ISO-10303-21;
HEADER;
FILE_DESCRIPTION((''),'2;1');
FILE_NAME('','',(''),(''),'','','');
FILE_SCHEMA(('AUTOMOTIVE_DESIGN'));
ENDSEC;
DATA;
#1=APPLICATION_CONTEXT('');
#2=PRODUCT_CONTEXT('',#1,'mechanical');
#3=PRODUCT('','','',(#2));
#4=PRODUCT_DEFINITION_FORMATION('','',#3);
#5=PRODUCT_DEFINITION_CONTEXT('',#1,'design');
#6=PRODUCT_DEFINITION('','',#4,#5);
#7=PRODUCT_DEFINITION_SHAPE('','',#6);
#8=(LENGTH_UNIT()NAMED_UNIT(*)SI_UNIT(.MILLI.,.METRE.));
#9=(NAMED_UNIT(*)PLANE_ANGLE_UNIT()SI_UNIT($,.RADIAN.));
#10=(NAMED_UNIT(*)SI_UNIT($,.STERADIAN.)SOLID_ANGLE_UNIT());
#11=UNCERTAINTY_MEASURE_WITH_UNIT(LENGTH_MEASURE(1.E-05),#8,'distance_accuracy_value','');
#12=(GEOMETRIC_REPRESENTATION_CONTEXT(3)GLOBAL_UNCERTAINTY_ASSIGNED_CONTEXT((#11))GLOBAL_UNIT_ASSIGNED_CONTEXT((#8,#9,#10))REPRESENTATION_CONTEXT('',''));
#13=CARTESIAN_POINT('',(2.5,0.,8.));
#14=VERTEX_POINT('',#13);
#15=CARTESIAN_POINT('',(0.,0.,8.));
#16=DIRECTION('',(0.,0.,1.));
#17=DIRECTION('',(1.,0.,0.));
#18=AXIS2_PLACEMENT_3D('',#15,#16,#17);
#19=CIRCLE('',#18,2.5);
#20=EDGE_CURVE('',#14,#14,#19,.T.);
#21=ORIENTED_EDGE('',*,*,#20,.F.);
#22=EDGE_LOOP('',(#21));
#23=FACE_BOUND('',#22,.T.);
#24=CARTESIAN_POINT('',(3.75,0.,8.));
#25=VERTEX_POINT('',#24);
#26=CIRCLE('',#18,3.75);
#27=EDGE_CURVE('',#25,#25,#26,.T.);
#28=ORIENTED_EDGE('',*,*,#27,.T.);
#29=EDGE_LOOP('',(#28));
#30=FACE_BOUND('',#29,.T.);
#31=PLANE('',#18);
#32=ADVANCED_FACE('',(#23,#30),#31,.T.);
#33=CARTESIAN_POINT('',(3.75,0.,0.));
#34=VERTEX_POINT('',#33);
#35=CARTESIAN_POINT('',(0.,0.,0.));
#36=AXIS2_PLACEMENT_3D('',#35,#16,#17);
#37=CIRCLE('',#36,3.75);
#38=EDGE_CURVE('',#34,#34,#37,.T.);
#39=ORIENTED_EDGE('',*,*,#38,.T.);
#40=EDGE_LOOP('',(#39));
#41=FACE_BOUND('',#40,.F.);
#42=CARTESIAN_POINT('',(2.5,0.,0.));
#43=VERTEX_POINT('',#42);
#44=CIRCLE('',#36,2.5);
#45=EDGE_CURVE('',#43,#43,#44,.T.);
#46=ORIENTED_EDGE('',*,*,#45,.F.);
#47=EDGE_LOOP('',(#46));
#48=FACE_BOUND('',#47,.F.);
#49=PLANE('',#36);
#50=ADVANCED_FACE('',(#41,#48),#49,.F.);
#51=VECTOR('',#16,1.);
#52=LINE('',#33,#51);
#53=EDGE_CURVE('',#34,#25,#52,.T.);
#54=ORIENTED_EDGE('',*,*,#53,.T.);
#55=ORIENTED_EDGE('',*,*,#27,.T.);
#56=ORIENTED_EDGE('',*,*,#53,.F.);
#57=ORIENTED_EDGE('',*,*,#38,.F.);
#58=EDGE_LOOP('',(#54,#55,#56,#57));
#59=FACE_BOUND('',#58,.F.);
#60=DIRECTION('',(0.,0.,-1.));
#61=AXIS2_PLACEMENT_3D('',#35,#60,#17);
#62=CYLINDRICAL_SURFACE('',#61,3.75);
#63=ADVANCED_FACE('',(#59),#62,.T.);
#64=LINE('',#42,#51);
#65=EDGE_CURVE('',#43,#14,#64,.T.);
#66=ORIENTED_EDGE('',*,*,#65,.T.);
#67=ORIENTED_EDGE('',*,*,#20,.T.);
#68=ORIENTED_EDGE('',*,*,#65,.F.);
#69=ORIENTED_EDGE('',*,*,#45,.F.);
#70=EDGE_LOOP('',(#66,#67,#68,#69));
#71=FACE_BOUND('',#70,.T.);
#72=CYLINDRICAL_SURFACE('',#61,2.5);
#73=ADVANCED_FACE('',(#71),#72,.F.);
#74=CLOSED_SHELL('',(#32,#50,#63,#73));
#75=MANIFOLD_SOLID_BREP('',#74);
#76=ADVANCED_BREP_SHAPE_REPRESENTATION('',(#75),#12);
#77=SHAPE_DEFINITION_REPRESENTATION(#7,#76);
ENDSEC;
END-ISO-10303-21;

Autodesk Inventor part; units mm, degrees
ref_plane "YZ Plane" through (0, 0, 0) normal (1, 0, 0) x (0, 1, 0)
ref_plane "XZ Plane" through (0, 0, 0) normal (0, 1, 0) x (-1, 0, 0)
ref_plane "XY Plane" through (0, 0, 0) normal (0, 0, 1) x (1, 0, 0)
sketch "Sketch1" plane through (0, 0, 0) normal (0, 0, 1) x (1, 0, 0)
  circle A0 centre (0, 0) radius 3.75
  circle A1 centre (0, 0) radius 2.5
  dimension "d0" = 7.5
  dimension "d1" = 5
extrude "Extrusion1" add sketch "Sketch1" along normal blind 8
properties part number "Rodillo"
